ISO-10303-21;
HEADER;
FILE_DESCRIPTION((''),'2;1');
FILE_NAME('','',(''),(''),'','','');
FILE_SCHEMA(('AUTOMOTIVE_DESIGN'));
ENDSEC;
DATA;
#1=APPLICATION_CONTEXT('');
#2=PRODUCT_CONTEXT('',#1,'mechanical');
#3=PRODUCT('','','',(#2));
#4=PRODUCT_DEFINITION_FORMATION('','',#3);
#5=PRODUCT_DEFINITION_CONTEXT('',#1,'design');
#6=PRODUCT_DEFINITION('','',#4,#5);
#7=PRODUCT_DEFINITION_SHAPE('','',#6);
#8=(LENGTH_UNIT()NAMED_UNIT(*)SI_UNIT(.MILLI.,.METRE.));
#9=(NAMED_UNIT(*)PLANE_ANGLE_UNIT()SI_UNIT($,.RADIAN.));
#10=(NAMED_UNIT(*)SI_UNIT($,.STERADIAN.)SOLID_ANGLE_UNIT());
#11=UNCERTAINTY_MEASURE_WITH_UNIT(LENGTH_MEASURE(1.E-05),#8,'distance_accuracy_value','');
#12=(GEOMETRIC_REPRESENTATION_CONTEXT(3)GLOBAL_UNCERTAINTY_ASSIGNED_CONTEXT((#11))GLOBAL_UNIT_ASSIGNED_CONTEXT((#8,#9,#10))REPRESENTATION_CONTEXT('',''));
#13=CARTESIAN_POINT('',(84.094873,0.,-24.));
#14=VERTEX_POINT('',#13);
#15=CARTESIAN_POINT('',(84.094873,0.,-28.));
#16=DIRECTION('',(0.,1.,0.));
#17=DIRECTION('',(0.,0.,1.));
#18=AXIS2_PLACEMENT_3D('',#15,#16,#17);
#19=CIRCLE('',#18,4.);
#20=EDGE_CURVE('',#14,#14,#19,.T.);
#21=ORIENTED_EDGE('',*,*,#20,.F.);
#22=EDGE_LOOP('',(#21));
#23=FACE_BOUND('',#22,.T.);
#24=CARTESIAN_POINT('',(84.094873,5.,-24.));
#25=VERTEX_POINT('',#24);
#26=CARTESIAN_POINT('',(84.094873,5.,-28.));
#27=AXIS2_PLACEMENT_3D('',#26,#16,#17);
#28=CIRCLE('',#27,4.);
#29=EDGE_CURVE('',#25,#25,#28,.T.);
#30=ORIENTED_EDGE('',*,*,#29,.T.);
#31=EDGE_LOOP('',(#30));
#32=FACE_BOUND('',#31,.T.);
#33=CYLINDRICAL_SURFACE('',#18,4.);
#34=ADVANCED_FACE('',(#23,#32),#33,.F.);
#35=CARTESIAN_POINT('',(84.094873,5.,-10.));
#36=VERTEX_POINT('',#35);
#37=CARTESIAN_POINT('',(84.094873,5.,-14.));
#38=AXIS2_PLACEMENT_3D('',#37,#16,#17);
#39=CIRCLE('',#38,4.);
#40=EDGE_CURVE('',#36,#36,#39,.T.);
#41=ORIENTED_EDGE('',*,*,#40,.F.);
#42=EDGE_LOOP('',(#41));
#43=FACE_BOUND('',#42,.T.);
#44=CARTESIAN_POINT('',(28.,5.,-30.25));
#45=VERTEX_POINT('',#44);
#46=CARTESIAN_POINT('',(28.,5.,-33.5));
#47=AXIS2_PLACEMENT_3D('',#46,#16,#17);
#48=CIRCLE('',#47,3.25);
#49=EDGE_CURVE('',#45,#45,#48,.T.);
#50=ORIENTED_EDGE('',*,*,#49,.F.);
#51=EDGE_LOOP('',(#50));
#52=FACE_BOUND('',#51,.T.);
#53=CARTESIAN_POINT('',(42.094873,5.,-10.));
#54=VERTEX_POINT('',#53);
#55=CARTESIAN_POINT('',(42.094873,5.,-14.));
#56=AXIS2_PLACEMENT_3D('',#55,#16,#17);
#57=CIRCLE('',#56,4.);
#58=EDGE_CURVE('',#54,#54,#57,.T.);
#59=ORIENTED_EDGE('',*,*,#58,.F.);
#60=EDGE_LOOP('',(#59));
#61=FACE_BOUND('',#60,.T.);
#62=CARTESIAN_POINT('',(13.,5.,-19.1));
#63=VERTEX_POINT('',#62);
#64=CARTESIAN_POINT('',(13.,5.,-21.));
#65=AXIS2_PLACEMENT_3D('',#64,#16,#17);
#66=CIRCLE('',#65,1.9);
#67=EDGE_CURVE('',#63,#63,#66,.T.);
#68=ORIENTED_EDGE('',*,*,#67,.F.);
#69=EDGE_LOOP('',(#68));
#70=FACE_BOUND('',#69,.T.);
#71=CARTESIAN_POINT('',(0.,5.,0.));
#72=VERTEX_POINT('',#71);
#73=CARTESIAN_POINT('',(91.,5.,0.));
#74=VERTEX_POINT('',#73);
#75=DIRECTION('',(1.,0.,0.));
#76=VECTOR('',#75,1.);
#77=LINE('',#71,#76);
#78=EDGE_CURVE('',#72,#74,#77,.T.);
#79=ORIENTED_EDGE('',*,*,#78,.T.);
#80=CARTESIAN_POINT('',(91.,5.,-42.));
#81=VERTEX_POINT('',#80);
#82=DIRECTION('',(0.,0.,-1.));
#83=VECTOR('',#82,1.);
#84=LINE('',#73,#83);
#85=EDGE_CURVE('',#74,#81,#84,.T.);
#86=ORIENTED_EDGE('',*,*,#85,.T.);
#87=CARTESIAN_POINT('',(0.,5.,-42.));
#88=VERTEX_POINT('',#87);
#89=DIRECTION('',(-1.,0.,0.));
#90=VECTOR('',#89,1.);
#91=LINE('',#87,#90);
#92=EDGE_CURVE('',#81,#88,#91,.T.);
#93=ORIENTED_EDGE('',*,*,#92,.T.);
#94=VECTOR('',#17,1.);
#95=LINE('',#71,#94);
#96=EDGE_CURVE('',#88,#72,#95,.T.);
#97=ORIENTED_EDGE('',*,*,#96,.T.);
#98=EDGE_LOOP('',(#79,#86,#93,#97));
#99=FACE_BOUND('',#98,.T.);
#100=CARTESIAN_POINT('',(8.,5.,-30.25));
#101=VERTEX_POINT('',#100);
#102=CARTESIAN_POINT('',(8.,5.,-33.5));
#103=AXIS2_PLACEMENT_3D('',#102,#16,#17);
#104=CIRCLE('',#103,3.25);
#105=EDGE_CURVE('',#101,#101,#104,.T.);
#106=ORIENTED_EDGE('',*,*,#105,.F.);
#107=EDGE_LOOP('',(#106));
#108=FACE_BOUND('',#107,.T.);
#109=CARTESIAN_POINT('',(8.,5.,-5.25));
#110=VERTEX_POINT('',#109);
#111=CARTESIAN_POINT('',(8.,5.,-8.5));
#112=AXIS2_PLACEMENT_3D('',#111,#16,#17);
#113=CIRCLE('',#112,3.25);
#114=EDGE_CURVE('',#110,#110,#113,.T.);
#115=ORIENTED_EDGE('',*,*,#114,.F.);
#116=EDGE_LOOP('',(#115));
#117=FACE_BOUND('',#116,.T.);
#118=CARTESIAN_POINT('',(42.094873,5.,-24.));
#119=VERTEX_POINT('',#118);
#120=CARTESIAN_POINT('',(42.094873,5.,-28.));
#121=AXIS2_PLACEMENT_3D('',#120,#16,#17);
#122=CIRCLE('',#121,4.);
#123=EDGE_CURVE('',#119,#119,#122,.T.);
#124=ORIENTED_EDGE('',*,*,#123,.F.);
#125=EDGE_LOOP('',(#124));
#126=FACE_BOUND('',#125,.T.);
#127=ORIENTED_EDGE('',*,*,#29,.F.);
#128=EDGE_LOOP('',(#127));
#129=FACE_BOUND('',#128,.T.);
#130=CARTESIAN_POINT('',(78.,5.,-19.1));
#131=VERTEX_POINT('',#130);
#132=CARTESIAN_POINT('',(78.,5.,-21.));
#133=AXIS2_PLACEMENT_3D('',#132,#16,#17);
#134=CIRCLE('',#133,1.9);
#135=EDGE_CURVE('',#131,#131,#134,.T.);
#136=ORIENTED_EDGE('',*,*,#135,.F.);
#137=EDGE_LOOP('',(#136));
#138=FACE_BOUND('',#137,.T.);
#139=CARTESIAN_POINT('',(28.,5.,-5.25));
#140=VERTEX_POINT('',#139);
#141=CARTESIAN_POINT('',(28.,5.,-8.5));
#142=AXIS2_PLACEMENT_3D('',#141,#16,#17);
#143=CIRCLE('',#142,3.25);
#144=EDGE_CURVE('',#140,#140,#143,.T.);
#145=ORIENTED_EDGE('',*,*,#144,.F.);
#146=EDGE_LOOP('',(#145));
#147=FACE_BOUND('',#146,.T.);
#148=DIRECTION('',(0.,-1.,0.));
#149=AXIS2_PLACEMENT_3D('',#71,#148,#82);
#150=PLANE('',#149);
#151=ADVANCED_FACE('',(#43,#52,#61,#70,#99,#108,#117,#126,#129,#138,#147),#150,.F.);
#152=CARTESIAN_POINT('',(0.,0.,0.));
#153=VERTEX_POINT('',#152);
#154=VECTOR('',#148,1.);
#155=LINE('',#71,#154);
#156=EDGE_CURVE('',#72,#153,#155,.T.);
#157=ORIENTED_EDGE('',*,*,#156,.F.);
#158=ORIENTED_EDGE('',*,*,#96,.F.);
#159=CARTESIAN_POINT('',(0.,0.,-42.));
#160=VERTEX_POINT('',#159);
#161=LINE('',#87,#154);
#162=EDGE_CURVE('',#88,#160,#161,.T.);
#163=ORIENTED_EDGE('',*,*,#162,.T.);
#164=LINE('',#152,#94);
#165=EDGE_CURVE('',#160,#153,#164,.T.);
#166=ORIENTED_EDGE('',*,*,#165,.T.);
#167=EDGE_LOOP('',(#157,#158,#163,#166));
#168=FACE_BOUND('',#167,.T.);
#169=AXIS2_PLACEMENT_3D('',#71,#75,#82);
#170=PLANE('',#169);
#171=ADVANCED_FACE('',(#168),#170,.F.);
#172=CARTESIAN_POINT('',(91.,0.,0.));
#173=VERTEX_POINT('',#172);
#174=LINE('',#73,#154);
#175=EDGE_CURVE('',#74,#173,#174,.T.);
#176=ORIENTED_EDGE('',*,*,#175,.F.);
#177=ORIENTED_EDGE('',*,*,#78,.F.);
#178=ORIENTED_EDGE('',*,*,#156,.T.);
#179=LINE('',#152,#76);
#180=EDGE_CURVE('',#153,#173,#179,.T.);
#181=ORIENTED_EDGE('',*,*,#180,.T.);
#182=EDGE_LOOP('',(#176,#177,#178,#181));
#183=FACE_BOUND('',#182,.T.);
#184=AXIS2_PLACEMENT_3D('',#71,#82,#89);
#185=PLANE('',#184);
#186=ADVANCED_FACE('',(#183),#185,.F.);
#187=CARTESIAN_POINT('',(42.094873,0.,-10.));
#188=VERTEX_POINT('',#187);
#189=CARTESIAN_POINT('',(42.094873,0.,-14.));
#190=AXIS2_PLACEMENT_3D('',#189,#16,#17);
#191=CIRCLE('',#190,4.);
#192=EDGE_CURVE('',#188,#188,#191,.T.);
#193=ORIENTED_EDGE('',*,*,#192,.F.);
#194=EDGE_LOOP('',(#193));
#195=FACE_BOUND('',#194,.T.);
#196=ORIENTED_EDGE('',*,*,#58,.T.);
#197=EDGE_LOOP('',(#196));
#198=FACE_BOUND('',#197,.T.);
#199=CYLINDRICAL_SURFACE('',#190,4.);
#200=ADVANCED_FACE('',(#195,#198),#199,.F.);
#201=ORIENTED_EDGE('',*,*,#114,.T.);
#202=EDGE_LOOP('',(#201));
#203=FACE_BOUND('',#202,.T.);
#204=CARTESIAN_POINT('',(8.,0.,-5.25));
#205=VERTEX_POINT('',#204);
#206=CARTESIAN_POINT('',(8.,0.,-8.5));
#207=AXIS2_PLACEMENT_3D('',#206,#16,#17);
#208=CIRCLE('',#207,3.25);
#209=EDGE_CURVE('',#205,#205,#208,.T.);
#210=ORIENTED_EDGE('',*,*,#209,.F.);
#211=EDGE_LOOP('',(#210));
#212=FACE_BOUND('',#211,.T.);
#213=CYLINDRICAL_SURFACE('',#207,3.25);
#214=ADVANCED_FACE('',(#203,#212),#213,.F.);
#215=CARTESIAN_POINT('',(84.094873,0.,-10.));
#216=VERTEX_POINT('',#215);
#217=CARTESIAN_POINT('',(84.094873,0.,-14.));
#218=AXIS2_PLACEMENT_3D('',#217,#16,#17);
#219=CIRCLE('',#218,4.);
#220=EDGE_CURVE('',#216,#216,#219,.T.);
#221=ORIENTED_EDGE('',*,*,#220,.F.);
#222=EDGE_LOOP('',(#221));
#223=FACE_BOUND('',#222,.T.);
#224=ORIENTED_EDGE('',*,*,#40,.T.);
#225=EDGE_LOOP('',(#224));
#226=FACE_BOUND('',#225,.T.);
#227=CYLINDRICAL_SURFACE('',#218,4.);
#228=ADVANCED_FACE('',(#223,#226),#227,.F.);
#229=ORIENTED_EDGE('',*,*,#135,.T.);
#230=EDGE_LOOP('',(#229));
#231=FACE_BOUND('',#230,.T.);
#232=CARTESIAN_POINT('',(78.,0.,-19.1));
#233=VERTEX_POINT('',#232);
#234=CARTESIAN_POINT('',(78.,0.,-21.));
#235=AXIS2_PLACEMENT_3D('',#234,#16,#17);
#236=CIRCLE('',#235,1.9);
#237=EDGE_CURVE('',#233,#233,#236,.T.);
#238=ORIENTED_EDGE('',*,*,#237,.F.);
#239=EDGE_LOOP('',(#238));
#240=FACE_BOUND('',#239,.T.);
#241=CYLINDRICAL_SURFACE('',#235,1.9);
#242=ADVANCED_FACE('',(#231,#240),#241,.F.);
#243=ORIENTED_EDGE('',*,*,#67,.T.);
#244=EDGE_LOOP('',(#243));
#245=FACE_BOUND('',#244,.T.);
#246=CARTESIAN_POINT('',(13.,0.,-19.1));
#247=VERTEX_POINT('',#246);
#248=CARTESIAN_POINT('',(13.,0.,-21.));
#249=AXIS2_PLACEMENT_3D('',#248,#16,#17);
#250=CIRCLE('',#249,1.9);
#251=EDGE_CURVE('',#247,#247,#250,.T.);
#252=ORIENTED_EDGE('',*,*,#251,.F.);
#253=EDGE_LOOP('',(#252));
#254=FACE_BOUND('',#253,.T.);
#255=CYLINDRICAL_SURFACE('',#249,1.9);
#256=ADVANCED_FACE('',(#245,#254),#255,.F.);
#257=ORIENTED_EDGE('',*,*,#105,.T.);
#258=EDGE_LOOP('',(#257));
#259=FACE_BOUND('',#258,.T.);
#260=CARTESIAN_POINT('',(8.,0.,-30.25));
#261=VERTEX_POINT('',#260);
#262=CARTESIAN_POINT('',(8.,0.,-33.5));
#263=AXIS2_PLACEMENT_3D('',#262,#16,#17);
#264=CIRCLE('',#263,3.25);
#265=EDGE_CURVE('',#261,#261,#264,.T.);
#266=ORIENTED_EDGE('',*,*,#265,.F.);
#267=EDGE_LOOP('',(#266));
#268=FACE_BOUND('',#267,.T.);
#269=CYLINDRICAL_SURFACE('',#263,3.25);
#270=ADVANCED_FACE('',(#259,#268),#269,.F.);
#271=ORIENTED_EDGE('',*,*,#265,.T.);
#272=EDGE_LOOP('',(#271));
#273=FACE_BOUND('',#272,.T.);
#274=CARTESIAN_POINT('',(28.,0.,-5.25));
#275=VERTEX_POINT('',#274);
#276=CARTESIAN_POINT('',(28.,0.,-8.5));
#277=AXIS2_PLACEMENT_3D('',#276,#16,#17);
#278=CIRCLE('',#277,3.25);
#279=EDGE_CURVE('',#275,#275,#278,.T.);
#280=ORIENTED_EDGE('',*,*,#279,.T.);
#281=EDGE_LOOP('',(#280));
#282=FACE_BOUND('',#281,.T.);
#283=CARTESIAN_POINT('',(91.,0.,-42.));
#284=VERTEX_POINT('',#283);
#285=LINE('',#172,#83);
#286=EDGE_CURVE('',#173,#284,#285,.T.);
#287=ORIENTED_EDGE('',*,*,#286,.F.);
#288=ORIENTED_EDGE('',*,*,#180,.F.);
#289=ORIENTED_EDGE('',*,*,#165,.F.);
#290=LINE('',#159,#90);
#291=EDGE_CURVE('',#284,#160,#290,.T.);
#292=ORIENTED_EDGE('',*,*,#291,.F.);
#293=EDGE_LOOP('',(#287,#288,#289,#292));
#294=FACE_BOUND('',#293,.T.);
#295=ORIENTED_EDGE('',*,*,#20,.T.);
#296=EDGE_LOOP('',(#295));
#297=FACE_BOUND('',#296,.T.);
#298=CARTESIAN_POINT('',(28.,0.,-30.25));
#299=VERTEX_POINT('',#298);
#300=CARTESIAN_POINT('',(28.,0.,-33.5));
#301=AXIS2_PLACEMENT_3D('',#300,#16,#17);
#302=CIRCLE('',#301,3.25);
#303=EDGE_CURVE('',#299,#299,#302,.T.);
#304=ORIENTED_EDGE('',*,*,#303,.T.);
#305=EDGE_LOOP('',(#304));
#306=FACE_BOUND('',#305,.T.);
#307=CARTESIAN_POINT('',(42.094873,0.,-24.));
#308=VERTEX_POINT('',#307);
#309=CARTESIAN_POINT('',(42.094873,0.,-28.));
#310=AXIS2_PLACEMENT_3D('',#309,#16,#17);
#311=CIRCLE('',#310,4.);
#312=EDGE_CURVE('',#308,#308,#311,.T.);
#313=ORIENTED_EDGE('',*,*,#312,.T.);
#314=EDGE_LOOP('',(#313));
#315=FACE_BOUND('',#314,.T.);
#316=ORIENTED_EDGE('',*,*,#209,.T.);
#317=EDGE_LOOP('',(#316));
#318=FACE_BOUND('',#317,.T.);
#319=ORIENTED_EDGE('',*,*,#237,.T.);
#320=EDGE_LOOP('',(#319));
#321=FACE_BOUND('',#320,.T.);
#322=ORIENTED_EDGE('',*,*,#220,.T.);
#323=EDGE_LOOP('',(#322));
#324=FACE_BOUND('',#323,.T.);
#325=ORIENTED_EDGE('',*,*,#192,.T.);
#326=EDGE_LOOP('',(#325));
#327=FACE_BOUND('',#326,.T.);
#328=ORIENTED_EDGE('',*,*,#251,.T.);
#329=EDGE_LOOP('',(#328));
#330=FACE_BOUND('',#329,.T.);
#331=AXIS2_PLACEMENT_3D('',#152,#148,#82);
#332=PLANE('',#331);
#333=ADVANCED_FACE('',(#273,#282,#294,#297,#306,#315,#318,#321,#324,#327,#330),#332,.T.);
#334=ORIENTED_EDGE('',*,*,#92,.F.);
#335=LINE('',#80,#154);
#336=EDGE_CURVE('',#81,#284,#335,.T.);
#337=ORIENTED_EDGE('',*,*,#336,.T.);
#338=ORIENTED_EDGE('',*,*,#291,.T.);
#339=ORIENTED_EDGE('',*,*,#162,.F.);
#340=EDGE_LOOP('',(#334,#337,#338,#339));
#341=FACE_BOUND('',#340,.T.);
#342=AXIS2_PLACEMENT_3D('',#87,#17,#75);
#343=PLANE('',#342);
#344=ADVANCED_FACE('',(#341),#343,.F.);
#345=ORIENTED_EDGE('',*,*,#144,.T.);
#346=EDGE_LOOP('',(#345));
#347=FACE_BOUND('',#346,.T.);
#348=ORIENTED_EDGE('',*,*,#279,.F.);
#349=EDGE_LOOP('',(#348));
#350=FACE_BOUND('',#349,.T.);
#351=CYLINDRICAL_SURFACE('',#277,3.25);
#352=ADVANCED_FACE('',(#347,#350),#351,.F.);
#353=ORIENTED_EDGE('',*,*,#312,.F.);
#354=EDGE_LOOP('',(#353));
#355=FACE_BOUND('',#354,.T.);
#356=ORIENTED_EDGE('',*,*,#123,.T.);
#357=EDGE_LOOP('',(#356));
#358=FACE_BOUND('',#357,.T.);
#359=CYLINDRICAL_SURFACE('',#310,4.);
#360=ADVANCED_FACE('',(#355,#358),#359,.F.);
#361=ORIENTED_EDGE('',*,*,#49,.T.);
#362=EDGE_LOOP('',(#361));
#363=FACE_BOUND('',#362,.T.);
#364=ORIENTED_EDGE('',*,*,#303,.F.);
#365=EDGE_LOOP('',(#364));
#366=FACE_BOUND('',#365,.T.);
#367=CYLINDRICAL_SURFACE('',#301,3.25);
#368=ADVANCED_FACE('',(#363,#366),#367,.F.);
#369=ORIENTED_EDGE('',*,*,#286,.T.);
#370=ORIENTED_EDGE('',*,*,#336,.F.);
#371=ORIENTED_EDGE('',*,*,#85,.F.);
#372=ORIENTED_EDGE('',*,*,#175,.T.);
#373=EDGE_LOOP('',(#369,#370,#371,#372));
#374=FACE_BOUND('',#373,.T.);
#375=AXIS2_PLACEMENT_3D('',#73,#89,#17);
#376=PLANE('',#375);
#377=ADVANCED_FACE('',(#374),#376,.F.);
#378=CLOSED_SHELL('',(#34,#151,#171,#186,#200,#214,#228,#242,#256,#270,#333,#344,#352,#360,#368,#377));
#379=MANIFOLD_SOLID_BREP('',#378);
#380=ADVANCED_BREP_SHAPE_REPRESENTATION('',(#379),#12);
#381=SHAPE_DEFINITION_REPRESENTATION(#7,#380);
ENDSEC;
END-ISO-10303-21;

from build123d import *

# Parameters (mm, degrees)
SKETCH_1_W          = 91
SKETCH_1_H          = 42
EXTRUDE_1_DEPTH     = 5
SKETCH_2_R          = 1.75
SKETCH_2_R_2        = 2.25
SKETCH_2_R_3        = 1.9
CUT_EXTRUDE_1_DEPTH = 5
SKETCH_3_R          = 4
SKETCH_3_R_2        = 3.25
CUT_EXTRUDE_2_DEPTH = 5


with BuildPart() as part:
    # 스케치1 → 보스-돌출1 (new body)
    with BuildSketch(Plane(origin=(0, 0, 0), x_dir=(1, 0, 0), z_dir=(0, 1, 0))):
        with Locations((45.5, 21)):
            Rectangle(SKETCH_1_W, SKETCH_1_H)
    extrude(amount=EXTRUDE_1_DEPTH)

    # 스케치2 → 컷-돌출1 (cut)
    with BuildSketch(Plane(origin=(0, 5, 0), x_dir=(1, 0, 0), z_dir=(0, 1, 0))):
        with Locations(Location((28, 33.5, 0), (0, 0, 270))):
            Circle(SKETCH_2_R)
        with Locations(Location((28, 8.5, 0), (0, 0, 270))):
            Circle(SKETCH_2_R)
        with Locations(Location((8, 8.5, 0), (0, 0, 270))):
            Circle(SKETCH_2_R)
        with Locations(Location((8, 33.5, 0), (0, 0, 270))):
            Circle(SKETCH_2_R)
        with Locations(Location((42.094873015, 28, 0), (0, 0, 270))):
            Circle(SKETCH_2_R_2)
        with Locations(Location((42.094873015, 14, 0), (0, 0, 270))):
            Circle(SKETCH_2_R_2)
        with Locations(Location((84.094873015, 14, 0), (0, 0, 270))):
            Circle(SKETCH_2_R_2)
        with Locations(Location((84.094873015, 28, 0), (0, 0, 270))):
            Circle(SKETCH_2_R_2)
        with Locations(Location((78, 21, 0), (0, 0, 270))):
            Circle(SKETCH_2_R_3)
        with Locations(Location((13, 21, 0), (0, 0, 270))):
            Circle(SKETCH_2_R_3)
    extrude(amount=-CUT_EXTRUDE_1_DEPTH, mode=Mode.SUBTRACT)

    # 스케치3 → 컷-돌출2 (cut)
    with BuildSketch(Plane(origin=(0, 5, 0), x_dir=(1, 0, 0), z_dir=(0, 1, 0))):
        with Locations(Location((84.094873015, 28, 0), (0, 0, 270))):
            Circle(SKETCH_3_R)
        with Locations(Location((84.094873015, 14, 0), (0, 0, 270))):
            Circle(SKETCH_3_R)
        with Locations(Location((42.094873015, 14, 0), (0, 0, 270))):
            Circle(SKETCH_3_R)
        with Locations(Location((42.094873015, 28, 0), (0, 0, 270))):
            Circle(SKETCH_3_R)
        with Locations(Location((28, 33.5, 0), (0, 0, 270))):
            Circle(SKETCH_3_R_2)
        with Locations(Location((28, 8.5, 0), (0, 0, 270))):
            Circle(SKETCH_3_R_2)
        with Locations(Location((8, 8.5, 0), (0, 0, 270))):
            Circle(SKETCH_3_R_2)
        with Locations(Location((8, 33.5, 0), (0, 0, 270))):
            Circle(SKETCH_3_R_2)
    extrude(amount=-CUT_EXTRUDE_2_DEPTH, mode=Mode.SUBTRACT)


solid = part.part
